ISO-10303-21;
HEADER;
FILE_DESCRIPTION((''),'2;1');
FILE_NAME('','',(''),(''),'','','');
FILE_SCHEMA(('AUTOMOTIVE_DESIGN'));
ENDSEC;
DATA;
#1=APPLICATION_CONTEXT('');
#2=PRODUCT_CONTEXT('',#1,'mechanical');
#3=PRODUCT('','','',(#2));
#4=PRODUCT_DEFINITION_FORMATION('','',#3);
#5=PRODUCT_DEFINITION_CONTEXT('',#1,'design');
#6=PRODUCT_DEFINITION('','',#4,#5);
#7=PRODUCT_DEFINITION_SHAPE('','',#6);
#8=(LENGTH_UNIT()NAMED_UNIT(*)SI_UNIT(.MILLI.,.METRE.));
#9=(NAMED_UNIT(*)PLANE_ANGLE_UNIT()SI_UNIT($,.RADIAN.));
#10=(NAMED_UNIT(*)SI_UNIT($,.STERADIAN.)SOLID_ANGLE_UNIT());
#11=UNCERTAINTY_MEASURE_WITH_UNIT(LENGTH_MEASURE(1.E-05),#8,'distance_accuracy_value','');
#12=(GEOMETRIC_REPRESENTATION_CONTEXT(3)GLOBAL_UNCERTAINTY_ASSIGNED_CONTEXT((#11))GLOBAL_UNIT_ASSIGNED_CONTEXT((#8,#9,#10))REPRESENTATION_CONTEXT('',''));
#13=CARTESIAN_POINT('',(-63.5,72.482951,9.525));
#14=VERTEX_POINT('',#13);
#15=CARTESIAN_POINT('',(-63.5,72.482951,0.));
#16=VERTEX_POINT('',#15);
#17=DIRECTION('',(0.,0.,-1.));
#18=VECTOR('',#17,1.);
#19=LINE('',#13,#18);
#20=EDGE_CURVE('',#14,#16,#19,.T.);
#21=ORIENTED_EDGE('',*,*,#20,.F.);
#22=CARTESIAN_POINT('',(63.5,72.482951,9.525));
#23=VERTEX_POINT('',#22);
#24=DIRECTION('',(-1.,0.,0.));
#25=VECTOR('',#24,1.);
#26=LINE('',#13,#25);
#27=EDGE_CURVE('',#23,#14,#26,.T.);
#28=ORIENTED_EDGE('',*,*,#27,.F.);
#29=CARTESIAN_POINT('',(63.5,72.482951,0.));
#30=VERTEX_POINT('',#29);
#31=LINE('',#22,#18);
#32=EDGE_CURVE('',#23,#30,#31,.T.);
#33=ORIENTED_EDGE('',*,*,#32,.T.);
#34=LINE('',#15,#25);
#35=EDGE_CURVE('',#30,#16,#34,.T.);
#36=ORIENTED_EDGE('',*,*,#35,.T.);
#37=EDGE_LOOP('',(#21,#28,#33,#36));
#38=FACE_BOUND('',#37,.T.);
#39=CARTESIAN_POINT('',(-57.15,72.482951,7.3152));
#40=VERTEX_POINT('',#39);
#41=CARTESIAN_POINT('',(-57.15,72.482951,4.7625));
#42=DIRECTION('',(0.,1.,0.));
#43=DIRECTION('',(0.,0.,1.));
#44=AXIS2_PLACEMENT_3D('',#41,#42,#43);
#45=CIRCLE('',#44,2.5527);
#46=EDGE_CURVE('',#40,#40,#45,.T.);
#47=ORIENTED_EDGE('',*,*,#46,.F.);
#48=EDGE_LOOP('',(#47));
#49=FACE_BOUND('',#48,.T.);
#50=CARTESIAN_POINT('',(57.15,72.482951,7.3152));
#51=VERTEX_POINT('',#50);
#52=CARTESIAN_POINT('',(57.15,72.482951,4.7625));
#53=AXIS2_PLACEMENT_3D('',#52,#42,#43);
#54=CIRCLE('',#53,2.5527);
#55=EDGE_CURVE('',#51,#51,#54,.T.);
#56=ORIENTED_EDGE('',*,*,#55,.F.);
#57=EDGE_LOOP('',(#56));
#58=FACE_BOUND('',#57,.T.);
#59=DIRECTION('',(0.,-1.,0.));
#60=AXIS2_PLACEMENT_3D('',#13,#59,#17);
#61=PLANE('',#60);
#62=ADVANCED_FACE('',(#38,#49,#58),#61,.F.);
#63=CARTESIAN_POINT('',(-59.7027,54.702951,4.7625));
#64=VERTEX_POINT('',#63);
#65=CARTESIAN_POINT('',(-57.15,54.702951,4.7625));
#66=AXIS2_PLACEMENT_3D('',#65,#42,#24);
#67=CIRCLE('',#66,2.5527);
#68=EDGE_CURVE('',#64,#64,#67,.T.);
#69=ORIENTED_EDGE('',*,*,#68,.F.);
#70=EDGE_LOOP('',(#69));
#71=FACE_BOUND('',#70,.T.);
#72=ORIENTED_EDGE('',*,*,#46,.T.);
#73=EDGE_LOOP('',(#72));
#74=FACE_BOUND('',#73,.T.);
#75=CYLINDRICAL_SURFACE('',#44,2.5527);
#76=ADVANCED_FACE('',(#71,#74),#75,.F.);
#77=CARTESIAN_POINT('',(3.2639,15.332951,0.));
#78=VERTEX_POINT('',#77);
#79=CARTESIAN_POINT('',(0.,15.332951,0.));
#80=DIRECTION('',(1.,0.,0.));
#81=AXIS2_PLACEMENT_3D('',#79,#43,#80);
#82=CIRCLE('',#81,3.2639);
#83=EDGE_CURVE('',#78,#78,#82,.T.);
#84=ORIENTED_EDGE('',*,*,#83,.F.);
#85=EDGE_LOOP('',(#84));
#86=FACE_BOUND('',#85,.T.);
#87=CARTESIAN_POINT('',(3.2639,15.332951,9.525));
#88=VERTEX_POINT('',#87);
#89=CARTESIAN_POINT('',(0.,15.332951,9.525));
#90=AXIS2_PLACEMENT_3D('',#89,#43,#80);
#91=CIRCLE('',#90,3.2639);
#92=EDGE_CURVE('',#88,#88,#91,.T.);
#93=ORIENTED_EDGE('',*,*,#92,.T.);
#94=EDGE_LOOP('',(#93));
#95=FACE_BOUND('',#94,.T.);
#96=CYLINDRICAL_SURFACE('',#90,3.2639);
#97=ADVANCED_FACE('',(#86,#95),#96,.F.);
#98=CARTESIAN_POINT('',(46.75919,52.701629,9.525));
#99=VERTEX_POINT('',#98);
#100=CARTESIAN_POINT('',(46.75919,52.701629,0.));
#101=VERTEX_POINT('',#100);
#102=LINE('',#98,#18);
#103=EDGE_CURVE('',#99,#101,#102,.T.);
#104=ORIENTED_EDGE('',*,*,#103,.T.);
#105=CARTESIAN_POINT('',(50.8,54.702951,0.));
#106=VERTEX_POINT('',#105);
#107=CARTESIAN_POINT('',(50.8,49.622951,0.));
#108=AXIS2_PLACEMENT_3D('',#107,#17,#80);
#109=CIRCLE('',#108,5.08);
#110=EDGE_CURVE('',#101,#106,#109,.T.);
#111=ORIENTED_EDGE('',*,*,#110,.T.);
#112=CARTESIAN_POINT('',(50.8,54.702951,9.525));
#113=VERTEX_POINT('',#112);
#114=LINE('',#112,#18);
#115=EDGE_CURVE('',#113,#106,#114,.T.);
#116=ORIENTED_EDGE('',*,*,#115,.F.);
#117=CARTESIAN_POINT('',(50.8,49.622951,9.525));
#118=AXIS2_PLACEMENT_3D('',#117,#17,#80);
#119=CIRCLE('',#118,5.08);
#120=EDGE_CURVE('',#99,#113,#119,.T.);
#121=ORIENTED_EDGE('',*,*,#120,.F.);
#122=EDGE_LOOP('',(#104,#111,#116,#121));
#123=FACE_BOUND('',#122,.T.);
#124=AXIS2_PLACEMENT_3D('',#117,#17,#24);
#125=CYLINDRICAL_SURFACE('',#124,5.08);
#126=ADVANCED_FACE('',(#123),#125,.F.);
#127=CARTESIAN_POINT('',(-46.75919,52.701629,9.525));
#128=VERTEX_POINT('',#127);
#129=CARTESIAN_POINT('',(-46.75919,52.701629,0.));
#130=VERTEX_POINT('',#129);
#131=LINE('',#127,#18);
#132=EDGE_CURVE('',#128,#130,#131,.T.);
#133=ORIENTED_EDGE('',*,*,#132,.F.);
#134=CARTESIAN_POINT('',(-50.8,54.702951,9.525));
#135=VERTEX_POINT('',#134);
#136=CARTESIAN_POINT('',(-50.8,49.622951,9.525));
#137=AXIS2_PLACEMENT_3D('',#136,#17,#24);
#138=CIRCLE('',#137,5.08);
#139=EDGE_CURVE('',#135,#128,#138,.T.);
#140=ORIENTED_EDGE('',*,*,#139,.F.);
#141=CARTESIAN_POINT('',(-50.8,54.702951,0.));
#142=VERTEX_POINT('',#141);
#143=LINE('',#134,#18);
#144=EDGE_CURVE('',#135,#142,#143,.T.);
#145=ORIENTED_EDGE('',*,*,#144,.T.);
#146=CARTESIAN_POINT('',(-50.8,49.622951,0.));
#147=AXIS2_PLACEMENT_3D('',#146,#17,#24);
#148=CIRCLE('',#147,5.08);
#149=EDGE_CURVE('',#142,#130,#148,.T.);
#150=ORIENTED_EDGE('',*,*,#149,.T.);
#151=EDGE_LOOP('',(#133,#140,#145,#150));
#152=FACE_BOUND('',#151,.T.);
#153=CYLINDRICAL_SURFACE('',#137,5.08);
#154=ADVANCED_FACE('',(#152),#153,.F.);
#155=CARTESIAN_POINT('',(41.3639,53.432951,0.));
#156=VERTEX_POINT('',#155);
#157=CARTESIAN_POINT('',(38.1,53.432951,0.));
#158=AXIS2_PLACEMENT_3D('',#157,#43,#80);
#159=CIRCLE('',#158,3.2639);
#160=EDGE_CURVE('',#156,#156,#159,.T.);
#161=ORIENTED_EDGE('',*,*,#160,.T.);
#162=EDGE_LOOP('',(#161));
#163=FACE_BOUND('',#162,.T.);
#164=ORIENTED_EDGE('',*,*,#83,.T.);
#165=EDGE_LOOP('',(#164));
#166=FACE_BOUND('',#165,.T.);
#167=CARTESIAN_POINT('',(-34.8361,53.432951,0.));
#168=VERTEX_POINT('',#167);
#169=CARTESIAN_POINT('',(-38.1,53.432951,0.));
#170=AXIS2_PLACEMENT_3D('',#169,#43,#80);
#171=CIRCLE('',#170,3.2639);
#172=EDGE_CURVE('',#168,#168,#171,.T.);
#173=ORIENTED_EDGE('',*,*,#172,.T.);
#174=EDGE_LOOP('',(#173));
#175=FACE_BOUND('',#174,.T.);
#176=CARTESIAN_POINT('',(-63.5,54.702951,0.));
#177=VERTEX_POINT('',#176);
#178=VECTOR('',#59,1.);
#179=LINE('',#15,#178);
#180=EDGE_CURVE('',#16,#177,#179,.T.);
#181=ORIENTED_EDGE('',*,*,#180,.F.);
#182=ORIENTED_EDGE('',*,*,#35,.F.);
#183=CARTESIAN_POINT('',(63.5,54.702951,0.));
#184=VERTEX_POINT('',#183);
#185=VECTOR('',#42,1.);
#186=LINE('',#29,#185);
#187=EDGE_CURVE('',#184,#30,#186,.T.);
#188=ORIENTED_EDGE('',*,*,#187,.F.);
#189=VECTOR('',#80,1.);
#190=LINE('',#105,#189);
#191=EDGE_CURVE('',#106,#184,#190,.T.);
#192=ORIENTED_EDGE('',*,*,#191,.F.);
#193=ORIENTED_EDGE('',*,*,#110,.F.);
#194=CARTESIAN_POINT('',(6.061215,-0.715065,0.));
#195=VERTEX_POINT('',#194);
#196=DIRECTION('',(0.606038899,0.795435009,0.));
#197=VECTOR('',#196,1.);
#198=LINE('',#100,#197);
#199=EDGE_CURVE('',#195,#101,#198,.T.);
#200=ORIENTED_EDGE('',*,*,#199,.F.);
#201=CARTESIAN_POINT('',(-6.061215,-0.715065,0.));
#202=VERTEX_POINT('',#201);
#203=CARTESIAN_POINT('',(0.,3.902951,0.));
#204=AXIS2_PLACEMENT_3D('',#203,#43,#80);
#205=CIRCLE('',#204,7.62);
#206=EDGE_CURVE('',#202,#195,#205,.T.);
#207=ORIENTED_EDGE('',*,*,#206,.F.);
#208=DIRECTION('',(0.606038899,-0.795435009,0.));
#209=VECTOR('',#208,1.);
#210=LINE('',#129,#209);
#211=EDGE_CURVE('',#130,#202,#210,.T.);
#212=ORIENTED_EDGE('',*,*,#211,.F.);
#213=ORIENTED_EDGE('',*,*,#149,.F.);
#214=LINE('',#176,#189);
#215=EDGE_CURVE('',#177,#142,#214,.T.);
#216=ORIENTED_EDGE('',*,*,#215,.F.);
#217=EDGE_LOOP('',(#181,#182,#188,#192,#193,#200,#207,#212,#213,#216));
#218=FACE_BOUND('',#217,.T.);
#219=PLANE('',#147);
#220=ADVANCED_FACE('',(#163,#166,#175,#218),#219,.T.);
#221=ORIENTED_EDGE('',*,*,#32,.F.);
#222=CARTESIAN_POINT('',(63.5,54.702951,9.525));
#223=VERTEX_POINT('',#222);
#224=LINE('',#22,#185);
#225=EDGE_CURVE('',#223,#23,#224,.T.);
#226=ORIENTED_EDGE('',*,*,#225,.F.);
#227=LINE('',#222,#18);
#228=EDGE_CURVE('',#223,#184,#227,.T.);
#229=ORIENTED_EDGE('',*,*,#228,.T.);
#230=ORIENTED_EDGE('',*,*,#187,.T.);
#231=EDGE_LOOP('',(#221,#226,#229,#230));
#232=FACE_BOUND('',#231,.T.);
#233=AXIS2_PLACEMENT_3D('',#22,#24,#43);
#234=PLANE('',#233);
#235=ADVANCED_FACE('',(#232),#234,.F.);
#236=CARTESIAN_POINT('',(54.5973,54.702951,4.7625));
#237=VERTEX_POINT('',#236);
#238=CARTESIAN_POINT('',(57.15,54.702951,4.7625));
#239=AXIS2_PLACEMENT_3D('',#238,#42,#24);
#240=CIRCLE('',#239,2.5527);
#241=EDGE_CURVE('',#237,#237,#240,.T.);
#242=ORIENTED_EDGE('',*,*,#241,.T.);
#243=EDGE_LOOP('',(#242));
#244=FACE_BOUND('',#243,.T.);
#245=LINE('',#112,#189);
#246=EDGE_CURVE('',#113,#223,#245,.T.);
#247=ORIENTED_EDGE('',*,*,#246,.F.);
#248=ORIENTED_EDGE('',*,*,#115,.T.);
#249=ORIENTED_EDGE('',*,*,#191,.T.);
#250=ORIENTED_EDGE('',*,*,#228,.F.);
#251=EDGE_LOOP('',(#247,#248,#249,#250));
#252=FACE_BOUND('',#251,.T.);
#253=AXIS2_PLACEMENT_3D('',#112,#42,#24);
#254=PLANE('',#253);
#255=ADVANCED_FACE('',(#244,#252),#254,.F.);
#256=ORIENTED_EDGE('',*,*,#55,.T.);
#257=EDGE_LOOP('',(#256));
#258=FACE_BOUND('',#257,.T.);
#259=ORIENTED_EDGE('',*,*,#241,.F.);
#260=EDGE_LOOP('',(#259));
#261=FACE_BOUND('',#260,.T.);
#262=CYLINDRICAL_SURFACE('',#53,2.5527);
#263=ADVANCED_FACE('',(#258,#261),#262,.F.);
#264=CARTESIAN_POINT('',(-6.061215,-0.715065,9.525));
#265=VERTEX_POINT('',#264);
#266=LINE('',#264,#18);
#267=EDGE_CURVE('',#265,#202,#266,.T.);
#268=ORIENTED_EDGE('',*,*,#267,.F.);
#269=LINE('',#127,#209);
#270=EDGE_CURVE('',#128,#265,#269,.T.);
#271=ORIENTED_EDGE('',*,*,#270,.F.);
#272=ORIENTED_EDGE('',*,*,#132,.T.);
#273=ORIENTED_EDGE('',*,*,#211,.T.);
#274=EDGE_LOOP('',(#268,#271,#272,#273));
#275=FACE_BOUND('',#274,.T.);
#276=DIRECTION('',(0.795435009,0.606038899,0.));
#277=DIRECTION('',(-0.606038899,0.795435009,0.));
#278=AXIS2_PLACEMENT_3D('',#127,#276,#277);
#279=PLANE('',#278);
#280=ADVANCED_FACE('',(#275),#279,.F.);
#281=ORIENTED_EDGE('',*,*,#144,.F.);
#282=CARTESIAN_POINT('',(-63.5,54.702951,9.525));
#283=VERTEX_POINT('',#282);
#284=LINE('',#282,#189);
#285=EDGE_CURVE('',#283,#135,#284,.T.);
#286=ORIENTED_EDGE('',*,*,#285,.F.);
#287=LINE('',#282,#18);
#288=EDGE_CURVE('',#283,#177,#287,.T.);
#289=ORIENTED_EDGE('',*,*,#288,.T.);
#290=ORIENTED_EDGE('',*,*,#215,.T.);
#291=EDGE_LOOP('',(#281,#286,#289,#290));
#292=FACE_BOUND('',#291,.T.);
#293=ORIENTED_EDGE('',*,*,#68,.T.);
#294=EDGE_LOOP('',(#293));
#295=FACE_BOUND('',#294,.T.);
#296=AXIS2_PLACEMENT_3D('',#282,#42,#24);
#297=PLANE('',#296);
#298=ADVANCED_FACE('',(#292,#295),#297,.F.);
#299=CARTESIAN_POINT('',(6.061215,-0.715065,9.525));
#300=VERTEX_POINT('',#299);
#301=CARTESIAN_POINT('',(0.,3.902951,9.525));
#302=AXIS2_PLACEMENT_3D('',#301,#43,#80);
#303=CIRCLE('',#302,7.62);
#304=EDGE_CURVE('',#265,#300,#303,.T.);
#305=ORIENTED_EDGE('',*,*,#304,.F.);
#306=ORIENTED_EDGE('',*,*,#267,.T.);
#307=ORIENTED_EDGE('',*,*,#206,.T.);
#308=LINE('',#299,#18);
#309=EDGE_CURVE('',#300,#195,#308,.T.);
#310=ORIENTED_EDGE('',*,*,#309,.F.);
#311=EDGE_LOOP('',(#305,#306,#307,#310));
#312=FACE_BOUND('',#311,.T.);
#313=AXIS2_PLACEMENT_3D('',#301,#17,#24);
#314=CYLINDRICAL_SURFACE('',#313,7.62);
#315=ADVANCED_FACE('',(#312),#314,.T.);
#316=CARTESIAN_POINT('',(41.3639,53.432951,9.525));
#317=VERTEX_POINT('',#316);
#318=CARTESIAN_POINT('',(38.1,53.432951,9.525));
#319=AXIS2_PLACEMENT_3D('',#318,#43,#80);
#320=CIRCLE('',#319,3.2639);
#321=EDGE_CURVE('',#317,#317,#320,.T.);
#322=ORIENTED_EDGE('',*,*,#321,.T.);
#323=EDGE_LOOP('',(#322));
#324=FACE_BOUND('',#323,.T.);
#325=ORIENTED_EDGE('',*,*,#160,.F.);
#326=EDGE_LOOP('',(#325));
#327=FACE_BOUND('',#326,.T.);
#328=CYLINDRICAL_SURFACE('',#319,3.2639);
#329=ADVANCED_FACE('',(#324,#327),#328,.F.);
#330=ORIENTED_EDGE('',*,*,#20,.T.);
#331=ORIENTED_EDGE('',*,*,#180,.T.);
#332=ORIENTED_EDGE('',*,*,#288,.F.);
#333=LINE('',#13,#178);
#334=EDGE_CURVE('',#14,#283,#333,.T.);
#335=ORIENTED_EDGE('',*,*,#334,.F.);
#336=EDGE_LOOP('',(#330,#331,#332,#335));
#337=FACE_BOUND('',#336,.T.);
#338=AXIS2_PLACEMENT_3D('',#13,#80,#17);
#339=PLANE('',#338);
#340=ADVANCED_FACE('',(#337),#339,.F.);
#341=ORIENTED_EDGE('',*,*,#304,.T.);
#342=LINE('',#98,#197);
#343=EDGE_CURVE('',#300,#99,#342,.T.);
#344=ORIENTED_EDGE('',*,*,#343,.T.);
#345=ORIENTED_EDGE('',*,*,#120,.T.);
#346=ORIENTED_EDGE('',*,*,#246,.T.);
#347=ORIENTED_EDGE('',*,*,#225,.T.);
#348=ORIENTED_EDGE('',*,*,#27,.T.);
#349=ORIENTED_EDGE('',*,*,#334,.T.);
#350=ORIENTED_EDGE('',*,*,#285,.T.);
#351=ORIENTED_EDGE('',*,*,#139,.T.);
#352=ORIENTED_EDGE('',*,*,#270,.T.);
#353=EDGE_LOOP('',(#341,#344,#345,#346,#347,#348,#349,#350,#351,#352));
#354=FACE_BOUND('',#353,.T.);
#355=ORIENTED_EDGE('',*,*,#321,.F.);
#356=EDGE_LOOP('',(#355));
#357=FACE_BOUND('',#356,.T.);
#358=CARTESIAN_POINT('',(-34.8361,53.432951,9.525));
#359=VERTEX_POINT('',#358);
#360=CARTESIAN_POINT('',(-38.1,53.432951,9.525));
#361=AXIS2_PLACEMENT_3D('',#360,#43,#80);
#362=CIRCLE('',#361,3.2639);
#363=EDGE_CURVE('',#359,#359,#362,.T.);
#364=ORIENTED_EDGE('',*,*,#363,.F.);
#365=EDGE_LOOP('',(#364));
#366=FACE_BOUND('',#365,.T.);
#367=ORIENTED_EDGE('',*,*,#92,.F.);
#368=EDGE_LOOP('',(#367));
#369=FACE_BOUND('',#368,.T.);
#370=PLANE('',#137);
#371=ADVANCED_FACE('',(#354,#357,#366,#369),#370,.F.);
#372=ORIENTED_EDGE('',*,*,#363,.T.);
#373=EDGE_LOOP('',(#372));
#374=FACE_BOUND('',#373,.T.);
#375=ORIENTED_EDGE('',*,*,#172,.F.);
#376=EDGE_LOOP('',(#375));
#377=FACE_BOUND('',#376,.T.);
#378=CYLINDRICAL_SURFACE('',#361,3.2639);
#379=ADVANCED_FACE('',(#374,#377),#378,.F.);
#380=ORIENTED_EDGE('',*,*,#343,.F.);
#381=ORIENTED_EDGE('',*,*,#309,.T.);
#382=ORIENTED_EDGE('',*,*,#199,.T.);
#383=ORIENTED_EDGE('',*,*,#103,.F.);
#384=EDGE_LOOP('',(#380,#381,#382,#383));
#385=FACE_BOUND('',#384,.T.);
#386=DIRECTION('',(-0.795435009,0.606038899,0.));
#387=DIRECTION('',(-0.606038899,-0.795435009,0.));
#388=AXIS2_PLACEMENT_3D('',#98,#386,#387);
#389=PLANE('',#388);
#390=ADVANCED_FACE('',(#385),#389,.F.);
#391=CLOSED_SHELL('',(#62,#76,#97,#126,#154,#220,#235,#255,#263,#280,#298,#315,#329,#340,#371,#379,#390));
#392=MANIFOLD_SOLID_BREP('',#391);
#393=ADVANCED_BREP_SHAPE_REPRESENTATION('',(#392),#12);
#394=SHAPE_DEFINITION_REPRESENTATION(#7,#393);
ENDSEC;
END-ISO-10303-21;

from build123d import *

# Parameters (mm, degrees)
BOSS_EXTRUDE1_DEPTH      = 9.525
F_0_257_DIAMETER_HOLE1_D = 6.5278
F_1_4_20_TAPPED_HOLE1_D  = 5.1054


with BuildPart() as part:
    # Sketch2 → Boss-Extrude1 (new body)
    with BuildSketch(Plane.XY):
        with BuildLine():
            Line((46.759190155, 52.701629037), (6.061214767, -0.715064976))
            ThreePointArc((6.061214767, -0.715064976), (0, -3.717048568), (-6.061214767, -0.715064976))
            Line((-6.061214767, -0.715064976), (-46.759190155, 52.701629037))
            ThreePointArc((-46.759190155, 52.701629037), (-48.545369458, 54.175208138), (-50.8, 54.702951432))
            Line((-50.8, 54.702951432), (-63.5, 54.702951432))
            Line((-63.5, 54.702951432), (-63.5, 72.482951432))
            Line((-63.5, 72.482951432), (63.5, 72.482951432))
            Line((63.5, 72.482951432), (63.5, 54.702951432))
            Line((63.5, 54.702951432), (50.8, 54.702951432))
            ThreePointArc((50.8, 54.702951432), (48.545369458, 54.175208138), (46.759190155, 52.701629037))
        make_face()
    extrude(amount=BOSS_EXTRUDE1_DEPTH)

    # F (0.257) Diameter Hole1 (through all)
    with Locations(Plane.XY.offset(9.525)):
        with Locations((0, 15.332951432), (-38.1, 53.432951432), (38.1, 53.432951432)):
            Hole(F_0_257_DIAMETER_HOLE1_D / 2)

    # 1/4-20 Tapped Hole1 (through all)
    with Locations(Plane(origin=(0, 72.482951432, 0), x_dir=(1, 0, 0), z_dir=(0, 1, 0))):
        with Locations((-57.15, -4.7625), (57.15, -4.7625)):
            Hole(F_1_4_20_TAPPED_HOLE1_D / 2)


solid = part.part
